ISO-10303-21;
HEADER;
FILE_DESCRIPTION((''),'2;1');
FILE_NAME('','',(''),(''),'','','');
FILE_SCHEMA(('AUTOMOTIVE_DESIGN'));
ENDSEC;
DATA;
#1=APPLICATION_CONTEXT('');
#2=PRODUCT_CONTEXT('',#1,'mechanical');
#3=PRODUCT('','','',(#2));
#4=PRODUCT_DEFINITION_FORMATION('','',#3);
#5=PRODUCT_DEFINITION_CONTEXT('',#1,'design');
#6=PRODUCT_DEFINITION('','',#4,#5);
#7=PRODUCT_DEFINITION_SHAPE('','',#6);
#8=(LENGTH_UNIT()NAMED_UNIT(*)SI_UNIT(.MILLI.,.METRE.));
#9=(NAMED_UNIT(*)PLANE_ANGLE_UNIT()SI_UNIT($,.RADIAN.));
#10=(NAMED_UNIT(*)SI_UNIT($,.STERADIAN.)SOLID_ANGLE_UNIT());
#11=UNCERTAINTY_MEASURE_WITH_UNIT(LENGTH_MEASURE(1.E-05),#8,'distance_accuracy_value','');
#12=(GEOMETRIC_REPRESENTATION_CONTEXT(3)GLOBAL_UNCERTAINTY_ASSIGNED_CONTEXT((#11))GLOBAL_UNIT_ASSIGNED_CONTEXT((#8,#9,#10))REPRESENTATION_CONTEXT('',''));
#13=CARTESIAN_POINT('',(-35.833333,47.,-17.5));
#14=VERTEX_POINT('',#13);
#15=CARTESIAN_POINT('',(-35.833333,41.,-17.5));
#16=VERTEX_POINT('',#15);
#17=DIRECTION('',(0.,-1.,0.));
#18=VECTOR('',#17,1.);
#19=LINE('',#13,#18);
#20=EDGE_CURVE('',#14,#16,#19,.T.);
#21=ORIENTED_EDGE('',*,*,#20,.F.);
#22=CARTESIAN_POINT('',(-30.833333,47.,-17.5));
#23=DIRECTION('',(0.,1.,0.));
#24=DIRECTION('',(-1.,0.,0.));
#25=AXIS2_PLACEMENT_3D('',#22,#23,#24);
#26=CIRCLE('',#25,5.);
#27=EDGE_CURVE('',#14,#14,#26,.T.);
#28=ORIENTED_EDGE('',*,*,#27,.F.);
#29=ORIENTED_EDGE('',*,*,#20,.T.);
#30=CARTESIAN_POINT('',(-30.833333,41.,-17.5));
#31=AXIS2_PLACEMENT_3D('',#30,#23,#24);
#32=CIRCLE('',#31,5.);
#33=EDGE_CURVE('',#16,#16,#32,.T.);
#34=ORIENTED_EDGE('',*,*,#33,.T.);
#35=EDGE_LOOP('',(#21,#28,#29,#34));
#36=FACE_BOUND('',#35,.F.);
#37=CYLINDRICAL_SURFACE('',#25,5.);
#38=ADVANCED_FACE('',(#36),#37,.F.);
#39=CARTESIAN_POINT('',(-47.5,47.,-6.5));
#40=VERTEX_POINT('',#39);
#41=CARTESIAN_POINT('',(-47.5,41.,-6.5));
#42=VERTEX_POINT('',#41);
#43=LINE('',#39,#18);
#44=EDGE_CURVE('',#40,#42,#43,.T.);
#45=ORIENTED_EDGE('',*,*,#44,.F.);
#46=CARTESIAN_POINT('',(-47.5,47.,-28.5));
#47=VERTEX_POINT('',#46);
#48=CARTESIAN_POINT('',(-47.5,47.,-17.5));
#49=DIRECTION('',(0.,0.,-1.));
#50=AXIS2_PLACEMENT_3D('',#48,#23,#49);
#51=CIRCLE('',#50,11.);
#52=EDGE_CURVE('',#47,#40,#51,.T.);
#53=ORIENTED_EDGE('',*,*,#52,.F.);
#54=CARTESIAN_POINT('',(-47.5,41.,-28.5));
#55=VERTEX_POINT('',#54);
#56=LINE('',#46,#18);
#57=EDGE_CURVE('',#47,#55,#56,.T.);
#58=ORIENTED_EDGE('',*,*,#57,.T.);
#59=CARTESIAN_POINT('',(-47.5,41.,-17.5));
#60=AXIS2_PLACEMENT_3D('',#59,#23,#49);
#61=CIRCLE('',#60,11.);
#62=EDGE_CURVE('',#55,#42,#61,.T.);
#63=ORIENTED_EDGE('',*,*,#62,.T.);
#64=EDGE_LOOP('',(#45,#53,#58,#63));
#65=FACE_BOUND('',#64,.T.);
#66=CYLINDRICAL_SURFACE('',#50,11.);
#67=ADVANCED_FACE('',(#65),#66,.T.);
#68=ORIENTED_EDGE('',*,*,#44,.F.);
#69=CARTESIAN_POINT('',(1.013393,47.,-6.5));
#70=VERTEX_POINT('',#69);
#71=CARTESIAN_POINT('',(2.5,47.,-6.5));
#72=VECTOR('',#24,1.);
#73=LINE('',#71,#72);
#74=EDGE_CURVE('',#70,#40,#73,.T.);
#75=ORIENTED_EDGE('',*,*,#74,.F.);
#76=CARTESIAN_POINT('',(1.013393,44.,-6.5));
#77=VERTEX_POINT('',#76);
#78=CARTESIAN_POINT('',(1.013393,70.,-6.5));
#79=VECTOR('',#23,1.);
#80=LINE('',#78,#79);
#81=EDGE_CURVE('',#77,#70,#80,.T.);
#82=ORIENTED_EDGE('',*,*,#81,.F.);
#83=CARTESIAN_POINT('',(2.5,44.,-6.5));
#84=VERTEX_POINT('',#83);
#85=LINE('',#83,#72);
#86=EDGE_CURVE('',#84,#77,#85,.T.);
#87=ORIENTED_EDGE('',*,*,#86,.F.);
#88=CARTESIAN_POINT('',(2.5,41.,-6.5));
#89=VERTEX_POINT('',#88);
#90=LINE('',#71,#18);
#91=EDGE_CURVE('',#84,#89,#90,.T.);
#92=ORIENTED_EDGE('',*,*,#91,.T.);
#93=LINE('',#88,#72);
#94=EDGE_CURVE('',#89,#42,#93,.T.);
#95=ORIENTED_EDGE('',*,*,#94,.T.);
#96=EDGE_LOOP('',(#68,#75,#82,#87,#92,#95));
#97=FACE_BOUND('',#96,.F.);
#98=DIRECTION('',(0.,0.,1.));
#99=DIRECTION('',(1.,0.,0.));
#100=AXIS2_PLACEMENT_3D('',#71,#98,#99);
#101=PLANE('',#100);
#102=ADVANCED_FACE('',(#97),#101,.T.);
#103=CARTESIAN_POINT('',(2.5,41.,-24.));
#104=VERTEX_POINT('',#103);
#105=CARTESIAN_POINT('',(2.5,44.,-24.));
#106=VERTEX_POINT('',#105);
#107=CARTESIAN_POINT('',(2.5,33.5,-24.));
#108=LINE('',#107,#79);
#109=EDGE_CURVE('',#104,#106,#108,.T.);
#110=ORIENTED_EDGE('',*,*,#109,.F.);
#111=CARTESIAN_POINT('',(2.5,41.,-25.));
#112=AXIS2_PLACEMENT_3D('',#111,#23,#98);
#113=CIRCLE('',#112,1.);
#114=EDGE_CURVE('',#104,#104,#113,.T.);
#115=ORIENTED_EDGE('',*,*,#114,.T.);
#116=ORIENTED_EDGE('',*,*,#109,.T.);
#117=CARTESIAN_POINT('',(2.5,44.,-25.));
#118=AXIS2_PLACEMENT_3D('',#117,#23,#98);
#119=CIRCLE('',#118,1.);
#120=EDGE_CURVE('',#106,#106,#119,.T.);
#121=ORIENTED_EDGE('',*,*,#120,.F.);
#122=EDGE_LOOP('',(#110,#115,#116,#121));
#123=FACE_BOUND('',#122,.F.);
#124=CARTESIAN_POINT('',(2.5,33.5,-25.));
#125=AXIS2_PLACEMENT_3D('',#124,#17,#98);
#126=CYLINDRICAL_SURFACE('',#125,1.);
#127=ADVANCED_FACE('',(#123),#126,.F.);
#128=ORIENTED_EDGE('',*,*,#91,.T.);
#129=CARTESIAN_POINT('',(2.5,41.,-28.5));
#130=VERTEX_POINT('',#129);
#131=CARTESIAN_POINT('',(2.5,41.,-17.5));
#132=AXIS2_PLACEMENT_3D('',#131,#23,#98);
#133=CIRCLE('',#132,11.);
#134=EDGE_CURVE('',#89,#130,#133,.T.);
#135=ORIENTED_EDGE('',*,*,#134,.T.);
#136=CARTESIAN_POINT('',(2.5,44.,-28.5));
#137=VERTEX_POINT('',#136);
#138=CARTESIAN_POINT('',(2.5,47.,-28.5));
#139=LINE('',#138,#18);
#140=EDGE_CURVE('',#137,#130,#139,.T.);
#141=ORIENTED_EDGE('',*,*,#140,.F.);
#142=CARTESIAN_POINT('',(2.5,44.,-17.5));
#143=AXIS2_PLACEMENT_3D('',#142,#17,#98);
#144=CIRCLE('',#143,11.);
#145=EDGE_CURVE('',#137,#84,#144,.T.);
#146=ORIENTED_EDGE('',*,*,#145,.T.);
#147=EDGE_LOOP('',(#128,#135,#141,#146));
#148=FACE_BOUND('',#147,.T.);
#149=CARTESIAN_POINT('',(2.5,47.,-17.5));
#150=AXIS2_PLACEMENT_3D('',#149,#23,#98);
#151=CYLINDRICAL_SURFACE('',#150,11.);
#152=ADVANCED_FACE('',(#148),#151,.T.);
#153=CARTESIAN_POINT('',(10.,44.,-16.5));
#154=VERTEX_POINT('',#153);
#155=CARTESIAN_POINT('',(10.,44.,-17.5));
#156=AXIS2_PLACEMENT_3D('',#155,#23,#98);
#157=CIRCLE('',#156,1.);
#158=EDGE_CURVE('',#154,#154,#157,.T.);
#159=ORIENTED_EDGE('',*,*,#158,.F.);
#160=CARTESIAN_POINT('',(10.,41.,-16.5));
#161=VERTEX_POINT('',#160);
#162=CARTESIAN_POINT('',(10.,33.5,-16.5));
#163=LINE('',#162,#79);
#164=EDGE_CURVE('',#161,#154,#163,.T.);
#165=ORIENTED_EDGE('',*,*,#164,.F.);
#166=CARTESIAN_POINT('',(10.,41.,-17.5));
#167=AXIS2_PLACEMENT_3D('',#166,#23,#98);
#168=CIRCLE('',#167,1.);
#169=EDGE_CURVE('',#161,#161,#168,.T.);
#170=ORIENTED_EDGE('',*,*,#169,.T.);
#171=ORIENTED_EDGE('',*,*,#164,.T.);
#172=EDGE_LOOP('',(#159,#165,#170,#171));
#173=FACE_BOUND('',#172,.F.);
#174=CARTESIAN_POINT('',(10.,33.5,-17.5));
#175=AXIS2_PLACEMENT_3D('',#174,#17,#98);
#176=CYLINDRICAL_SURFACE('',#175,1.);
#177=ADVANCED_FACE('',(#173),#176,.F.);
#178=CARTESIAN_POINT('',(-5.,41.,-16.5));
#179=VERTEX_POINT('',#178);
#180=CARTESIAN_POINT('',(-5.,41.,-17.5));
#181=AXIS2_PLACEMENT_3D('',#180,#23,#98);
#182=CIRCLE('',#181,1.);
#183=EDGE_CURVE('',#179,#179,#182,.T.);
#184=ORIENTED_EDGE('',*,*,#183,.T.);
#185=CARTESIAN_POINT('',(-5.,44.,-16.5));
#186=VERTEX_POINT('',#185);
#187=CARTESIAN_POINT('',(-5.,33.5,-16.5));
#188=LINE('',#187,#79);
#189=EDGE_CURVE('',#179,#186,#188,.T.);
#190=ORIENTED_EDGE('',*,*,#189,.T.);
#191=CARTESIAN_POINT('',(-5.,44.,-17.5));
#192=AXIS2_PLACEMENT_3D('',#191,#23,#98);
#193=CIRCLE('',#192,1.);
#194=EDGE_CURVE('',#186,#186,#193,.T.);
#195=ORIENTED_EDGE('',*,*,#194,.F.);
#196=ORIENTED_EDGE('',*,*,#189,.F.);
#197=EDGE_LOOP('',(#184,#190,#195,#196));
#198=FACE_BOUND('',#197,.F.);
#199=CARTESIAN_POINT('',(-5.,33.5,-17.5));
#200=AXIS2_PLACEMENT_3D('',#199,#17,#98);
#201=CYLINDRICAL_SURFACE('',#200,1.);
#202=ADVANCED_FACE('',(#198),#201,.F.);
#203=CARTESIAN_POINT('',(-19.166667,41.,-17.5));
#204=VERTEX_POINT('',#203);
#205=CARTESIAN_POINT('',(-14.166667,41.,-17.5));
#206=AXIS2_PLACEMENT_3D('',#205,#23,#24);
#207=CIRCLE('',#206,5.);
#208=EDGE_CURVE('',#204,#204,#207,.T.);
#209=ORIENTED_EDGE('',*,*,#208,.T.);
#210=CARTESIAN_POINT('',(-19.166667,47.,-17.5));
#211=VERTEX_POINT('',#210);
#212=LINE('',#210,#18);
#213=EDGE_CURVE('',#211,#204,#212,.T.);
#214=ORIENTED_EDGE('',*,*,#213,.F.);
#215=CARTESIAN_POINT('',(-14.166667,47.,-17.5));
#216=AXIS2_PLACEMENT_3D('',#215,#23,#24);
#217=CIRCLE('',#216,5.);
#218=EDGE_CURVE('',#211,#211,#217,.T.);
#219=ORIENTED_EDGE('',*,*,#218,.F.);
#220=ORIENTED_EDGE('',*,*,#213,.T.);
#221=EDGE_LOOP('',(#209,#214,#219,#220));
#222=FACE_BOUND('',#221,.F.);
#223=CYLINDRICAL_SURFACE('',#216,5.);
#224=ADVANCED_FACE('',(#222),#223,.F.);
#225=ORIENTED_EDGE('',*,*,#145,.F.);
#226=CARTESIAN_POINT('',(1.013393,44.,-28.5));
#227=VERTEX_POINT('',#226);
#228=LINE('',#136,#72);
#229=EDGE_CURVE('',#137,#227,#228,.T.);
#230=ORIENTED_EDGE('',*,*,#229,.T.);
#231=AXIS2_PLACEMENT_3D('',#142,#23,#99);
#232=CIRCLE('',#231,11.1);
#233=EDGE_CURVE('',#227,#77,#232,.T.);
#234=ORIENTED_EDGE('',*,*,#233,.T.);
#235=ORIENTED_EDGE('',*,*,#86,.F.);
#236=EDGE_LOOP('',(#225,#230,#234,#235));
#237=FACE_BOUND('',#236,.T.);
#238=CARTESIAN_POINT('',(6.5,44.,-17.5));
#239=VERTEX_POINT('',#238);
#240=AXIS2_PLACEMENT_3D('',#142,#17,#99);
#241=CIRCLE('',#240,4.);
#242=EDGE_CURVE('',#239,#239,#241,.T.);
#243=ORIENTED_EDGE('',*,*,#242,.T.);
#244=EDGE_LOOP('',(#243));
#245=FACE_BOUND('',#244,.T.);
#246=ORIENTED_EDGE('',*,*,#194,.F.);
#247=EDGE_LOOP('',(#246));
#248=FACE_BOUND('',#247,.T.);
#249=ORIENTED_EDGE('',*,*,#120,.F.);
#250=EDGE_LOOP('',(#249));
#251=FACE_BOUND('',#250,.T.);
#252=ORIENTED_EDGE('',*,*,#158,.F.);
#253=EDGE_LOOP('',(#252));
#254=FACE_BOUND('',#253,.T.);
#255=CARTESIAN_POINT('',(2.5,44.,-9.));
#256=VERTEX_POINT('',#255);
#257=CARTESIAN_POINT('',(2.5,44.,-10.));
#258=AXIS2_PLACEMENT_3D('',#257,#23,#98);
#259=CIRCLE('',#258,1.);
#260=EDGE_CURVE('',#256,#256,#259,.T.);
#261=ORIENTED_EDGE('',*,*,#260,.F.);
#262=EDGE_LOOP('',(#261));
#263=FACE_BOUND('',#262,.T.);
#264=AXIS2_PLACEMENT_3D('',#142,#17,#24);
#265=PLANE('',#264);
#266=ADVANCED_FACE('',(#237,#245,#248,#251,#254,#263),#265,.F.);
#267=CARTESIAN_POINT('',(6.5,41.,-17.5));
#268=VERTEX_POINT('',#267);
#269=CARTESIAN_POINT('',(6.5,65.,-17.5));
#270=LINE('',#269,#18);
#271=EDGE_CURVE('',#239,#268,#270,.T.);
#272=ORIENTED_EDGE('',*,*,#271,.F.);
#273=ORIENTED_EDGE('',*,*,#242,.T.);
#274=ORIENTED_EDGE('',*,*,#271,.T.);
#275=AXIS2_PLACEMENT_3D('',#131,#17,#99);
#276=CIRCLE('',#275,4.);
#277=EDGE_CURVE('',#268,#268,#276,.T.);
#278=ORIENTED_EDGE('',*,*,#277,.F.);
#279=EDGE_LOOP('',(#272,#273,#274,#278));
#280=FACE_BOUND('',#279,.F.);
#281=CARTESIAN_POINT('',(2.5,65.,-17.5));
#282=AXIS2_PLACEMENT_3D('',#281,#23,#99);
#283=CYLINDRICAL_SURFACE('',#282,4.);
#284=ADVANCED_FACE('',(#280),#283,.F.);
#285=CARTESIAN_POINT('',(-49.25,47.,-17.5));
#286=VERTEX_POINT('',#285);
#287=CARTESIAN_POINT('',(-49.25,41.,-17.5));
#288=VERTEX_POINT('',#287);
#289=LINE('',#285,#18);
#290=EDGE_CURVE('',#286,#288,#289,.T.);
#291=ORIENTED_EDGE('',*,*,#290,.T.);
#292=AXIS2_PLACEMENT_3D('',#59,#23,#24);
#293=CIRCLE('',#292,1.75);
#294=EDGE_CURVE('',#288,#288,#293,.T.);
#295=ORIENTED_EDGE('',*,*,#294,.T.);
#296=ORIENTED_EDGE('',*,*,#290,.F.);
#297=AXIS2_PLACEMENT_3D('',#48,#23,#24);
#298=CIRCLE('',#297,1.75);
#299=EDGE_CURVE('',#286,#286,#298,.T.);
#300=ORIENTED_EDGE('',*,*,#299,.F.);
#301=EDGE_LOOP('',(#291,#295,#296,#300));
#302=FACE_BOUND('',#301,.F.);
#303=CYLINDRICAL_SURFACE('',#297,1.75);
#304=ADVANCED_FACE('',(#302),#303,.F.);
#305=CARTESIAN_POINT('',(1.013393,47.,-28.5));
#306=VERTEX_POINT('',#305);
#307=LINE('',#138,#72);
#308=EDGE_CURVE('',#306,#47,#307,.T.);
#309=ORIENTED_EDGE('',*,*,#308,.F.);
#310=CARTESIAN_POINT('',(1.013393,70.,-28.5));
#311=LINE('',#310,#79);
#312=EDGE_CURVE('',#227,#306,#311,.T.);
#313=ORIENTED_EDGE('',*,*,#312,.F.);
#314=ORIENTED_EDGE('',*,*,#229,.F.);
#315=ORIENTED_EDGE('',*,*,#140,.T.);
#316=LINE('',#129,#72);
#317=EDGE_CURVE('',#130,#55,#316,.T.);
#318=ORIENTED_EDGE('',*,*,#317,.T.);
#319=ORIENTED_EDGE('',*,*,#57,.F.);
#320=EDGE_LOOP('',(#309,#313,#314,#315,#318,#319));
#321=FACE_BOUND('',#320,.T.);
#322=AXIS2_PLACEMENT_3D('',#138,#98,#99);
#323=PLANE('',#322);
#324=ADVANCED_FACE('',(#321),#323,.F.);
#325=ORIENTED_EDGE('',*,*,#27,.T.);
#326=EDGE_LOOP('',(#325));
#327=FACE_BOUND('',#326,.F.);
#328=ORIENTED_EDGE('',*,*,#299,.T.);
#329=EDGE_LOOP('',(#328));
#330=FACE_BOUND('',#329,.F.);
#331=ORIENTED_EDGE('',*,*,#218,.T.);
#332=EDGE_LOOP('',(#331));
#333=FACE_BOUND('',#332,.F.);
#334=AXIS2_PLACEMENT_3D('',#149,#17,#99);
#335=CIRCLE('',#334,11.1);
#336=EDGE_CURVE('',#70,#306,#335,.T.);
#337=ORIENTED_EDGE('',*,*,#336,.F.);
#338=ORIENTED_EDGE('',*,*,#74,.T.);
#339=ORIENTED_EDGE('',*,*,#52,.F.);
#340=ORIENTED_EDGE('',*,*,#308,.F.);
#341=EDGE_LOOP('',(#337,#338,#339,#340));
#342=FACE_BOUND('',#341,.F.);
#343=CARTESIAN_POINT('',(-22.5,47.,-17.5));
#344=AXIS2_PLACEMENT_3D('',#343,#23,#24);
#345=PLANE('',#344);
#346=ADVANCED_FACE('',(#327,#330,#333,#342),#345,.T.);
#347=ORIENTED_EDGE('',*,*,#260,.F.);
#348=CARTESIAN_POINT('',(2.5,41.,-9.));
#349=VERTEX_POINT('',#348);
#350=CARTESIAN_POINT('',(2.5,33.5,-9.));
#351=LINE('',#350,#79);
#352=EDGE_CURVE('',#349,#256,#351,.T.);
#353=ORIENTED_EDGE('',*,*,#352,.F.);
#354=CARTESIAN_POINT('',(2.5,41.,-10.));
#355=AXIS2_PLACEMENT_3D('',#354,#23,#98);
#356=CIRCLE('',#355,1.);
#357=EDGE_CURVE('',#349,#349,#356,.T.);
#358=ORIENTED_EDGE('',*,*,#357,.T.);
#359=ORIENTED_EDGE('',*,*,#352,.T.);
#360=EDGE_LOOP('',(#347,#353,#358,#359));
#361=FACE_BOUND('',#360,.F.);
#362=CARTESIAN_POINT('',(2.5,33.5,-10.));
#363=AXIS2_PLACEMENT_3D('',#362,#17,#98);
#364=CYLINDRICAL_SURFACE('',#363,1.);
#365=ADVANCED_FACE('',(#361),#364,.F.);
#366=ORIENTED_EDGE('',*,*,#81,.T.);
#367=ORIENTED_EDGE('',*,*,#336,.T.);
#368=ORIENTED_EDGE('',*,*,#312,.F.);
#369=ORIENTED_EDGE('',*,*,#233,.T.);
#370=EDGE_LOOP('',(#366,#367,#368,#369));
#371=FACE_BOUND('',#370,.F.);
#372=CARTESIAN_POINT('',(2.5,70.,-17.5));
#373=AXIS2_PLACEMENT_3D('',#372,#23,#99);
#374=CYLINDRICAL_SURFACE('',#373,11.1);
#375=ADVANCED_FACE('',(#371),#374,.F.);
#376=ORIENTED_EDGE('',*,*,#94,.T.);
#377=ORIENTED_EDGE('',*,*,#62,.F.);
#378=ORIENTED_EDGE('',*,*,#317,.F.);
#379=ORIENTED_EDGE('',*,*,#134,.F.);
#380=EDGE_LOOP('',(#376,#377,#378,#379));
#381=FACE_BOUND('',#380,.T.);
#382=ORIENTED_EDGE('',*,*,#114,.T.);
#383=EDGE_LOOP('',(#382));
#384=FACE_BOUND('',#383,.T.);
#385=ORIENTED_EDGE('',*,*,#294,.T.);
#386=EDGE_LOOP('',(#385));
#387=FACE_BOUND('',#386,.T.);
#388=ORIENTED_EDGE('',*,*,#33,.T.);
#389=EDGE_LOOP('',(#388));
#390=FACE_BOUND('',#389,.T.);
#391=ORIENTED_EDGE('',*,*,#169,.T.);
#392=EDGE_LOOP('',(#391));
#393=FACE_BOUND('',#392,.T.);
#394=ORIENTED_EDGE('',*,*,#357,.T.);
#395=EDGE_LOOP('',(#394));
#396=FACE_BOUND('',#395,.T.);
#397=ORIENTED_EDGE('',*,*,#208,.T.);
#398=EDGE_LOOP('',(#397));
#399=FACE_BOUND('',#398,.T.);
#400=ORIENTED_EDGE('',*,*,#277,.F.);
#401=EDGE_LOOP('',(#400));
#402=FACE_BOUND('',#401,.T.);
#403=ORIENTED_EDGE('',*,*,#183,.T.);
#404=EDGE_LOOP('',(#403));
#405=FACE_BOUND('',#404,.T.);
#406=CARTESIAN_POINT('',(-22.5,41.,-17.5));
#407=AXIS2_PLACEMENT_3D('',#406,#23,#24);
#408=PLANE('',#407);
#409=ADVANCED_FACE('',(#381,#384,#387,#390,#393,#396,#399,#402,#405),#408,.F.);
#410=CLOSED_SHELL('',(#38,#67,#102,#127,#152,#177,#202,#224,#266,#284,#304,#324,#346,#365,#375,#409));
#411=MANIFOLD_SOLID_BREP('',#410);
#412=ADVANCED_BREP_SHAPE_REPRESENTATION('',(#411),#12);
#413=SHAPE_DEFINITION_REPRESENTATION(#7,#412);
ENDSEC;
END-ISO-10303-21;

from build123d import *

# Parameters (mm, degrees)
CYLINDER020_R             = 11.1
CYLINDER020_DEPTH         = 26
CYLINDER019_R             = 4
CYLINDER019_DEPTH         = 43
CYLINDER021_R             = 1
CYLINDER021_DEPTH         = 31
CYLINDER024_R             = 1
CYLINDER024_DEPTH         = 31
CYLINDER023_R             = 1
CYLINDER023_DEPTH         = 31
CYLINDER022_R             = 1
CYLINDER022_DEPTH         = 31
FUSION002_ROLL_ANGLE      = -90
FUSION003_PLACEMENT_ANGLE = 180
SKETCH_R                  = 5
SKETCH_R_2                = 1.75
PAD_DEPTH                 = 6
CUT_PITCH_ANGLE           = 90


with BuildPart() as cylinder141:
    # Cylinder020 → Cylinder020 (new body)
    with BuildSketch(Plane(origin=(-3, 71, 73), x_dir=(0, 0, 1), z_dir=(0, -1, 0))):
        Circle(CYLINDER020_R)
    extrude(amount=CYLINDER020_DEPTH)


with BuildPart() as fusion001:
    # Cylinder019 → Cylinder019 (new body)
    with BuildSketch(Plane(origin=(-3, 66, 73), x_dir=(0, 0, 1), z_dir=(0, -1, 0))):
        Circle(CYLINDER019_R)
    extrude(amount=CYLINDER019_DEPTH)

    # Fusion001: union Cylinder141
    add(cylinder141.part)


with BuildPart() as cylinder096:
    # Cylinder021 → Cylinder021 (new body)
    with BuildSketch(Plane(origin=(-7.5, -11, 132), x_dir=(1, 0, 0), z_dir=(0, 0, 1))):
        Circle(CYLINDER021_R)
    extrude(amount=CYLINDER021_DEPTH)


with BuildPart() as cylinder146:
    # Cylinder024 → Cylinder024 (new body)
    with BuildSketch(Plane(origin=(0, -3.5, 132), x_dir=(1, 0, 0), z_dir=(0, 0, 1))):
        Circle(CYLINDER024_R)
    extrude(amount=CYLINDER024_DEPTH)


with BuildPart() as cylinder145:
    # Cylinder023 → Cylinder023 (new body)
    with BuildSketch(Plane(origin=(7.5, -11, 132), x_dir=(1, 0, 0), z_dir=(0, 0, 1))):
        Circle(CYLINDER023_R)
    extrude(amount=CYLINDER023_DEPTH)


with BuildPart() as fusion003:
    # Cylinder022 → Cylinder022 (new body)
    with BuildSketch(Plane(origin=(0, -18.5, 132), x_dir=(1, 0, 0), z_dir=(0, 0, 1))):
        Circle(CYLINDER022_R)
    extrude(amount=CYLINDER022_DEPTH)

    # Fusion002: union Cylinder096, Cylinder146, Cylinder145
    add(cylinder096.part)
    add(cylinder146.part)
    add(cylinder145.part)


with BuildPart() as fusion003_1:
    # Fusion002 roll: moved
    add(fusion003.part.rotate(Axis((0, 0, 0), (1, 0, 0)), FUSION002_ROLL_ANGLE))


with BuildPart() as fusion003_2:
    # Fusion002 placement: moved
    add(fusion003_1.part.moved(Location((-3, -97.5, 62))))

    # Fusion003: union Fusion001
    add(fusion001.part)


with BuildPart() as fusion003_3:
    # Fusion003 placement: moved
    add(fusion003_2.part.moved(Location((-0.5, 88, -87))).rotate(Axis((-0.5, 88, -87), (0, 0, 1)), FUSION003_PLACEMENT_ANGLE))


with BuildPart() as cut:
    # Sketch → Pad (new body)
    with BuildSketch(Plane(origin=(-11.5, 40, -16.5), x_dir=(0, 0, -1), z_dir=(0, 1, 0))):
        with BuildLine():
            Line((-2.5, -3), (47.5, -3))
            ThreePointArc((47.5, -25), (58.5, -14), (47.5, -3))
            Line((-2.5, -25), (47.5, -25))
            ThreePointArc((-2.5, -3), (-13.5, -14), (-2.5, -25))
        make_face()
        with Locations((14.166667, -14)):
            Circle(SKETCH_R, mode=Mode.SUBTRACT)
        with Locations((30.833333, -14)):
            Circle(SKETCH_R, mode=Mode.SUBTRACT)
        with Locations((47.5, -14)):
            Circle(SKETCH_R_2, mode=Mode.SUBTRACT)
    extrude(amount=PAD_DEPTH)

    # Cut: cut Fusion003
    add(fusion003_3.part, mode=Mode.SUBTRACT)


with BuildPart() as cut_1:
    # Cut pitch: moved
    add(cut.part.rotate(Axis((0, 0, 0), (0, 1, 0)), CUT_PITCH_ANGLE))


with BuildPart() as cut_2:
    # Cut placement: moved
    add(cut_1.part.moved(Location((16.5, -87, -15))))


with BuildPart() as part_mirroring029:
    # Part__Mirroring029: instance of Cut
    add(cut_2.part.mirror(Plane(origin=(0, 0, 0), x_dir=(1, 0, 0), z_dir=(0, 1, 0))))


solid = part_mirroring029.part
